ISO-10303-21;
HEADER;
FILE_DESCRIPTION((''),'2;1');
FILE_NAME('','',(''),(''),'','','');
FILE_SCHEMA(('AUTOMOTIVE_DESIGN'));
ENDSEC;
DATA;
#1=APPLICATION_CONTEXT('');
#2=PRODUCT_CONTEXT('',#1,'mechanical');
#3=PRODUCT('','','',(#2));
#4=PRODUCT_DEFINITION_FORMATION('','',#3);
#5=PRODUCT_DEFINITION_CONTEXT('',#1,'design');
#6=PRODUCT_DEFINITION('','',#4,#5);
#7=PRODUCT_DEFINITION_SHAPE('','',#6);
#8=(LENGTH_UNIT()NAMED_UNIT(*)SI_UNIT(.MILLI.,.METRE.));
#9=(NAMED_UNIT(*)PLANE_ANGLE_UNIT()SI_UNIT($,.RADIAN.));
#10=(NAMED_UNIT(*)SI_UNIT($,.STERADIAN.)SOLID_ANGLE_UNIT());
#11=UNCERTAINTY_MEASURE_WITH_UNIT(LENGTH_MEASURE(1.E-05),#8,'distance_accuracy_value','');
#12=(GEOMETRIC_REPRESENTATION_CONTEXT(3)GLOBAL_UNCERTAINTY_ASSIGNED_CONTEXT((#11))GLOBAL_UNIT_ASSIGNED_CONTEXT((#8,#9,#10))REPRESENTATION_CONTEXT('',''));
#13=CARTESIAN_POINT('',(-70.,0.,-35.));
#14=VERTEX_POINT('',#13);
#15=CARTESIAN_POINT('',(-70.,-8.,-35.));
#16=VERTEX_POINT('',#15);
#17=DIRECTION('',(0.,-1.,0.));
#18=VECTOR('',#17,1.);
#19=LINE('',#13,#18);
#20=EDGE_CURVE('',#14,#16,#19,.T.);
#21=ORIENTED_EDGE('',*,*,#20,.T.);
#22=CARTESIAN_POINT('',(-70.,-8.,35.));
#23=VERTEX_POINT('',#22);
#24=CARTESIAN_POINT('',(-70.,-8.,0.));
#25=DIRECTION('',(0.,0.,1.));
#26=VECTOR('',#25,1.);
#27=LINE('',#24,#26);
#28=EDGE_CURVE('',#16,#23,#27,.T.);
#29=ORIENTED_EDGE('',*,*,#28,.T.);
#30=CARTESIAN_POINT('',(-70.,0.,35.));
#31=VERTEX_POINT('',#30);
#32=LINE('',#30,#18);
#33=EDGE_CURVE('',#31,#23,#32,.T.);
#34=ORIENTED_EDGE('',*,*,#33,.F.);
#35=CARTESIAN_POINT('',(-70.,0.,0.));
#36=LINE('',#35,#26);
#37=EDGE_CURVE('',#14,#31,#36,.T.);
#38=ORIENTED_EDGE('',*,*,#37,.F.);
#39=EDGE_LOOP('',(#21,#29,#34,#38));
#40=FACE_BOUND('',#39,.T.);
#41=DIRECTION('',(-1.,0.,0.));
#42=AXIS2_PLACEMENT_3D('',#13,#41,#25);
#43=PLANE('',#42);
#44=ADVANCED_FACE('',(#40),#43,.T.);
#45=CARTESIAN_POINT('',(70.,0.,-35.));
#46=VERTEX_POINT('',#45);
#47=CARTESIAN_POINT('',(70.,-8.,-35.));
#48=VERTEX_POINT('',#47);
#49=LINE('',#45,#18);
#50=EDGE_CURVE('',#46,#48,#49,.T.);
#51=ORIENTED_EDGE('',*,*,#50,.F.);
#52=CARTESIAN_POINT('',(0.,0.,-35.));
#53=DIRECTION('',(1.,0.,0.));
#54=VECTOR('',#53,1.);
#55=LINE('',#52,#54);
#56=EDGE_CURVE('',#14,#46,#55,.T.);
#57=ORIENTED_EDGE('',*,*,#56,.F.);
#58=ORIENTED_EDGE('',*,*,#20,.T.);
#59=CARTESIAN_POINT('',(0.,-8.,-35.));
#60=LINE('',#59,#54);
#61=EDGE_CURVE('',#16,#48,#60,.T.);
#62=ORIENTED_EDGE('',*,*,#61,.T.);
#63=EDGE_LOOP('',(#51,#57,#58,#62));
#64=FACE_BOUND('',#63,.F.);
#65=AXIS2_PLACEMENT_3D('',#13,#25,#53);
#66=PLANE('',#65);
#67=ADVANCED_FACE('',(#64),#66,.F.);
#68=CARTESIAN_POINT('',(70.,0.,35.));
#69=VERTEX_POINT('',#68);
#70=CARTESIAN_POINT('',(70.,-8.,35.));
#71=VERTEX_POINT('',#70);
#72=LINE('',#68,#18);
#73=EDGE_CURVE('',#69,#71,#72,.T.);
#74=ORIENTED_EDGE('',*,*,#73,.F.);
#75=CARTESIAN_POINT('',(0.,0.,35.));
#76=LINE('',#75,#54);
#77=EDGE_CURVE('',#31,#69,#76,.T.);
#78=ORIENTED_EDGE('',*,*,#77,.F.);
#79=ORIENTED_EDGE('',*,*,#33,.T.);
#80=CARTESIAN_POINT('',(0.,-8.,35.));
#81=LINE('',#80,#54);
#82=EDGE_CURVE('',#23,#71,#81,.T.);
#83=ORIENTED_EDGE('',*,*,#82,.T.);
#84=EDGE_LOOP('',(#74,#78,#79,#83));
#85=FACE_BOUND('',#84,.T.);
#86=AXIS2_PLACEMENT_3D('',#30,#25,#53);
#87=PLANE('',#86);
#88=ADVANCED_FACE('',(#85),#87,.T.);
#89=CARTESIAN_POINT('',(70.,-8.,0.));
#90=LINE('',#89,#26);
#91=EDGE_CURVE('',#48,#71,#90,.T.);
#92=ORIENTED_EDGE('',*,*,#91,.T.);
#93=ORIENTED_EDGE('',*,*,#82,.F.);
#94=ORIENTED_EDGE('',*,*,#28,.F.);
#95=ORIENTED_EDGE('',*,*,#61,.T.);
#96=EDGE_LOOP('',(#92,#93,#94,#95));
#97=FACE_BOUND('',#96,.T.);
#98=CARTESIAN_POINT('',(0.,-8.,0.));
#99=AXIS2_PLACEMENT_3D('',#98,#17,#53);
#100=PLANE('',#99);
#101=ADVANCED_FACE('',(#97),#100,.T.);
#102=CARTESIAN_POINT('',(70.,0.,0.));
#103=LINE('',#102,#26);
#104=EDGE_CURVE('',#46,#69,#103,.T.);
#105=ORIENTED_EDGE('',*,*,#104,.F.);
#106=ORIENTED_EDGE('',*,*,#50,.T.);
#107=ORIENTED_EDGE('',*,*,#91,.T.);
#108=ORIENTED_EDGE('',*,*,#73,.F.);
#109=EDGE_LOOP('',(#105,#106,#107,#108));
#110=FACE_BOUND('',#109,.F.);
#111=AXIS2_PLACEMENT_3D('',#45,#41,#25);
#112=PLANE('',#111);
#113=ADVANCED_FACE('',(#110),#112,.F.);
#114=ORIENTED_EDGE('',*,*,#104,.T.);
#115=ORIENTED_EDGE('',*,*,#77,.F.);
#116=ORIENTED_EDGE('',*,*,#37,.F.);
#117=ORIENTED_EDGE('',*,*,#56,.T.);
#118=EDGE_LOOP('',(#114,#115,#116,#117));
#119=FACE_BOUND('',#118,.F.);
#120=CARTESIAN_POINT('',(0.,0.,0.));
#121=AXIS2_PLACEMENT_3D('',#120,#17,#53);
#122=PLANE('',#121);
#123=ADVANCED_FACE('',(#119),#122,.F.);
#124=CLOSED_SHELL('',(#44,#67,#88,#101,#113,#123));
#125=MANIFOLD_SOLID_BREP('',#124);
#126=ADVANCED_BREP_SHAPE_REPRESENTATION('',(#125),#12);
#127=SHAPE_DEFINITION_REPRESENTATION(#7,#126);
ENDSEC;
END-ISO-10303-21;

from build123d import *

# Parameters (mm, degrees)
SKETCH_W  = 140
SKETCH_H  = 70
PAD_DEPTH = 8


with BuildPart() as part:
    # Sketch → Pad (new body)
    with BuildSketch(Plane.XZ):
        Rectangle(SKETCH_W, SKETCH_H)
    extrude(amount=PAD_DEPTH)


solid = part.part
